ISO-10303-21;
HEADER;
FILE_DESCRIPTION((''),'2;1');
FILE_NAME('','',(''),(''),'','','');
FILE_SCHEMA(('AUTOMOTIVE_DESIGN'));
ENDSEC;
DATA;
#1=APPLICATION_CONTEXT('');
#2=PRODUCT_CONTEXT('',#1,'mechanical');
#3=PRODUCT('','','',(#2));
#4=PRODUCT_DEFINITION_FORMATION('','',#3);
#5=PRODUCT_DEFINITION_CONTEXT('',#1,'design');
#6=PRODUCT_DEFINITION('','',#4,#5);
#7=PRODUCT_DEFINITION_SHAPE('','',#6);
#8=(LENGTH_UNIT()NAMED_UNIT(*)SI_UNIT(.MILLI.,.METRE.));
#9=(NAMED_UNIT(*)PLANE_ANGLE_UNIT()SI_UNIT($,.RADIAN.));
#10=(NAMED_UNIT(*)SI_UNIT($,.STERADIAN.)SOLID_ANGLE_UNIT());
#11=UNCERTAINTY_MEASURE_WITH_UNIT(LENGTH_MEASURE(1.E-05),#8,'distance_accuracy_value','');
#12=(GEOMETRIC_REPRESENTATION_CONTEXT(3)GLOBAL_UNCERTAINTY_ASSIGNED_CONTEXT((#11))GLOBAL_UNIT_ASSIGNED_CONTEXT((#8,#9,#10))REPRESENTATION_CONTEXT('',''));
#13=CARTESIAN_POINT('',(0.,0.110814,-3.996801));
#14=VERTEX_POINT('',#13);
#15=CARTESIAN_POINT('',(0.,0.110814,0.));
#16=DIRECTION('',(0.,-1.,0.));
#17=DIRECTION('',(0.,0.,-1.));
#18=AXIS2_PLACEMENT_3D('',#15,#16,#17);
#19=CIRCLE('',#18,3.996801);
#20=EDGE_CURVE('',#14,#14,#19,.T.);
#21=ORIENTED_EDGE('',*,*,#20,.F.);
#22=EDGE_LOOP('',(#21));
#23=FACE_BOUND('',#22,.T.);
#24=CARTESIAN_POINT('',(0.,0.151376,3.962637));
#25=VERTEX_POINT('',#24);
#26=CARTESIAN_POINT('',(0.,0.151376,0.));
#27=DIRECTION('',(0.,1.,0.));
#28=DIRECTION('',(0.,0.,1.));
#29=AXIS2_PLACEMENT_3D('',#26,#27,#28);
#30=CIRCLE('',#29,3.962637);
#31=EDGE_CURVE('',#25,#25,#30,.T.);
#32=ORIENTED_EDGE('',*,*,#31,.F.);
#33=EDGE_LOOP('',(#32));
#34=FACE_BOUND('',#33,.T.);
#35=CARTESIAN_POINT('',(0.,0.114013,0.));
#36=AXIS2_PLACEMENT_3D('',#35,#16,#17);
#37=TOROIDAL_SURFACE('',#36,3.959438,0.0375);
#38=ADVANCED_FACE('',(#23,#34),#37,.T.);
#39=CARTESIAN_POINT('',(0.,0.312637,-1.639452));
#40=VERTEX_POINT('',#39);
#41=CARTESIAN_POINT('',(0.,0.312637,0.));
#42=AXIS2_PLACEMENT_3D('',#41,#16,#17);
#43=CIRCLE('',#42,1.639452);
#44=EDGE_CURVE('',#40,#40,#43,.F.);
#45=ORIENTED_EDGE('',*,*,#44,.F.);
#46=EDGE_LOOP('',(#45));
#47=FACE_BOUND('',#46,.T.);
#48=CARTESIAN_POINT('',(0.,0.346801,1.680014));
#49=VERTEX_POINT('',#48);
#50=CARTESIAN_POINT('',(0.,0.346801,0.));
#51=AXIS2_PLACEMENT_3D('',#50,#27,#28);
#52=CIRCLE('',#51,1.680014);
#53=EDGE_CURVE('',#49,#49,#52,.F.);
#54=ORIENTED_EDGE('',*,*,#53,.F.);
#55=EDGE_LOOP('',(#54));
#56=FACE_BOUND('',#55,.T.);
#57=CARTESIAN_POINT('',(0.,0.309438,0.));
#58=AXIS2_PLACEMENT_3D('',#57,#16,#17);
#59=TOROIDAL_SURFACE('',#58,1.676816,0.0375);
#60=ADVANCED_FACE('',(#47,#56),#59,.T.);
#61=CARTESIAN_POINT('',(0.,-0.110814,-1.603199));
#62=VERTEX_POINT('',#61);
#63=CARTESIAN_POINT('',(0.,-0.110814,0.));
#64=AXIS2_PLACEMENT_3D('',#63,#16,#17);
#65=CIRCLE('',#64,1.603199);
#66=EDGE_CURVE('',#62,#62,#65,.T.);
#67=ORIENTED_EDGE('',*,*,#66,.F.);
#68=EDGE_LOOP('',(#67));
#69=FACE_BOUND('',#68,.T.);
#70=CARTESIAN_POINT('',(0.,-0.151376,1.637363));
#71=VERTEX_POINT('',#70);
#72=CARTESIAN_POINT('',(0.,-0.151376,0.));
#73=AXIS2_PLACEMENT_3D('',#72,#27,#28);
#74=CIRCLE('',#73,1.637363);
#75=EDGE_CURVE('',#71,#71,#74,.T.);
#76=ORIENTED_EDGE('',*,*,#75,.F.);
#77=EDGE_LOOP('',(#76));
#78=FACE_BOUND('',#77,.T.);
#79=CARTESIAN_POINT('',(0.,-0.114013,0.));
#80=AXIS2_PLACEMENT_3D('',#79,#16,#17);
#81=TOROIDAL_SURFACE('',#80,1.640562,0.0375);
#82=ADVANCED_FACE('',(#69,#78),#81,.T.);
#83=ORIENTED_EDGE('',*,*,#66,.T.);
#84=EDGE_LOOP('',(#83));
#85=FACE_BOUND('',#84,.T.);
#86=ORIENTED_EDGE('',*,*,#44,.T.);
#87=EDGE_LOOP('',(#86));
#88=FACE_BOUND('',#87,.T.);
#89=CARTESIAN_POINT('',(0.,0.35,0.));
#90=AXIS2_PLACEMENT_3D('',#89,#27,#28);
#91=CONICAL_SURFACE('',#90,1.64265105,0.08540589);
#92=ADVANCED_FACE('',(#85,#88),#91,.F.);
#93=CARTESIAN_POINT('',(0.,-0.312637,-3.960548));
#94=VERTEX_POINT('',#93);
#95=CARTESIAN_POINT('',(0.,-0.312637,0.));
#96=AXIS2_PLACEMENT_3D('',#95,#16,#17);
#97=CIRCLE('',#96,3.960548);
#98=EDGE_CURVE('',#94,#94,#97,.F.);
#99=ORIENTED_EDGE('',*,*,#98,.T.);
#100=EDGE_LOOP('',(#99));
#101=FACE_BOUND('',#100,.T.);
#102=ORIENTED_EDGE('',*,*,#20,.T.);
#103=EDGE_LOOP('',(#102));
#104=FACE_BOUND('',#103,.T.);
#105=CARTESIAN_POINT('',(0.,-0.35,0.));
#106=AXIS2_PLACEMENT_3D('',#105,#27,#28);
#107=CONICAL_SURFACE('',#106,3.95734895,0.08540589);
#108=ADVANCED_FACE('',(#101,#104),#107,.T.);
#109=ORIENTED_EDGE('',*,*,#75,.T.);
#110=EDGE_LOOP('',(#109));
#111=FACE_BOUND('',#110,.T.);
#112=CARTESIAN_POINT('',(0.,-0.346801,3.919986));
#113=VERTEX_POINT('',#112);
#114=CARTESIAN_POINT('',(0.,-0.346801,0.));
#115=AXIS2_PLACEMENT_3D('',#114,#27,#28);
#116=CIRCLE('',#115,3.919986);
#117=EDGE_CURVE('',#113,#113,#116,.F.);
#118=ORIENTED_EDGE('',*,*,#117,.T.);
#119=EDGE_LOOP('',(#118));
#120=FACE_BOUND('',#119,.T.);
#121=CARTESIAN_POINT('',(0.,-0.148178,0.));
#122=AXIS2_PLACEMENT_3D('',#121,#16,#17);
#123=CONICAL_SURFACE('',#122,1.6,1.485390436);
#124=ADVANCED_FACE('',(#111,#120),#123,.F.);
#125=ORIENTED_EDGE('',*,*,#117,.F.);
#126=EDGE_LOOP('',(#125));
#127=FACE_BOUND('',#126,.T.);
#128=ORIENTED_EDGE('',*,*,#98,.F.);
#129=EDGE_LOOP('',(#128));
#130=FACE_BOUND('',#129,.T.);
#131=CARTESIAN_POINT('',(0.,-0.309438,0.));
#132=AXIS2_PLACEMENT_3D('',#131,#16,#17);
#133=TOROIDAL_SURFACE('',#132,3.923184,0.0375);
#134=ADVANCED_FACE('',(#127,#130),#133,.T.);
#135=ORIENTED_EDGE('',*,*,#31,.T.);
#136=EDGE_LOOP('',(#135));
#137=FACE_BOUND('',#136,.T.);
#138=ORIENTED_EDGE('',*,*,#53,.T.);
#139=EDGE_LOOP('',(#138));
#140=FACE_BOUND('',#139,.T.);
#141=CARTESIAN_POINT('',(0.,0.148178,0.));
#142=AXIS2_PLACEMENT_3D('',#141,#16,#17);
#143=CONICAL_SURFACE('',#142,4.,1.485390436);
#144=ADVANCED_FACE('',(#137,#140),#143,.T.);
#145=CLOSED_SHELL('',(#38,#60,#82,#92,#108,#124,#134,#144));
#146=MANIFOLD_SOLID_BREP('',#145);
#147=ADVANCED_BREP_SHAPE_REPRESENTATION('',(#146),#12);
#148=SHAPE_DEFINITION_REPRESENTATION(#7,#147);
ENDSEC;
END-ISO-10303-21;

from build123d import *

# Parameters (mm, degrees)
FILLET1_R = 0.0375


with BuildPart() as part:
    # Sketch2 → Revolve1 (revolve)
    with BuildSketch(Plane.XY, mode=Mode.PRIVATE) as revolve1_sk:
        Polygon((1.6, -0.148177567), (1.64265105, 0.35), (4, 0.148177567), (3.95734895, -0.35), align=None)
    revolve(revolve1_sk.sketch.rotate(Axis((0, 0.35, 0), (0, -1, 0)), 90), axis=Axis((0, 0.35, 0), (0, -1, 0)))

    # Fillet1
    fillet1_edges = [part.edges().sort_by_distance(p)[0] for p in [
        (0, -0.35, -3.95734895),
        (0, 0.148177567, -4),
        (0, 0.35, -1.64265105),
        (0, -0.148177567, -1.6),
    ]]
    fillet(fillet1_edges, radius=FILLET1_R)


solid = part.part
